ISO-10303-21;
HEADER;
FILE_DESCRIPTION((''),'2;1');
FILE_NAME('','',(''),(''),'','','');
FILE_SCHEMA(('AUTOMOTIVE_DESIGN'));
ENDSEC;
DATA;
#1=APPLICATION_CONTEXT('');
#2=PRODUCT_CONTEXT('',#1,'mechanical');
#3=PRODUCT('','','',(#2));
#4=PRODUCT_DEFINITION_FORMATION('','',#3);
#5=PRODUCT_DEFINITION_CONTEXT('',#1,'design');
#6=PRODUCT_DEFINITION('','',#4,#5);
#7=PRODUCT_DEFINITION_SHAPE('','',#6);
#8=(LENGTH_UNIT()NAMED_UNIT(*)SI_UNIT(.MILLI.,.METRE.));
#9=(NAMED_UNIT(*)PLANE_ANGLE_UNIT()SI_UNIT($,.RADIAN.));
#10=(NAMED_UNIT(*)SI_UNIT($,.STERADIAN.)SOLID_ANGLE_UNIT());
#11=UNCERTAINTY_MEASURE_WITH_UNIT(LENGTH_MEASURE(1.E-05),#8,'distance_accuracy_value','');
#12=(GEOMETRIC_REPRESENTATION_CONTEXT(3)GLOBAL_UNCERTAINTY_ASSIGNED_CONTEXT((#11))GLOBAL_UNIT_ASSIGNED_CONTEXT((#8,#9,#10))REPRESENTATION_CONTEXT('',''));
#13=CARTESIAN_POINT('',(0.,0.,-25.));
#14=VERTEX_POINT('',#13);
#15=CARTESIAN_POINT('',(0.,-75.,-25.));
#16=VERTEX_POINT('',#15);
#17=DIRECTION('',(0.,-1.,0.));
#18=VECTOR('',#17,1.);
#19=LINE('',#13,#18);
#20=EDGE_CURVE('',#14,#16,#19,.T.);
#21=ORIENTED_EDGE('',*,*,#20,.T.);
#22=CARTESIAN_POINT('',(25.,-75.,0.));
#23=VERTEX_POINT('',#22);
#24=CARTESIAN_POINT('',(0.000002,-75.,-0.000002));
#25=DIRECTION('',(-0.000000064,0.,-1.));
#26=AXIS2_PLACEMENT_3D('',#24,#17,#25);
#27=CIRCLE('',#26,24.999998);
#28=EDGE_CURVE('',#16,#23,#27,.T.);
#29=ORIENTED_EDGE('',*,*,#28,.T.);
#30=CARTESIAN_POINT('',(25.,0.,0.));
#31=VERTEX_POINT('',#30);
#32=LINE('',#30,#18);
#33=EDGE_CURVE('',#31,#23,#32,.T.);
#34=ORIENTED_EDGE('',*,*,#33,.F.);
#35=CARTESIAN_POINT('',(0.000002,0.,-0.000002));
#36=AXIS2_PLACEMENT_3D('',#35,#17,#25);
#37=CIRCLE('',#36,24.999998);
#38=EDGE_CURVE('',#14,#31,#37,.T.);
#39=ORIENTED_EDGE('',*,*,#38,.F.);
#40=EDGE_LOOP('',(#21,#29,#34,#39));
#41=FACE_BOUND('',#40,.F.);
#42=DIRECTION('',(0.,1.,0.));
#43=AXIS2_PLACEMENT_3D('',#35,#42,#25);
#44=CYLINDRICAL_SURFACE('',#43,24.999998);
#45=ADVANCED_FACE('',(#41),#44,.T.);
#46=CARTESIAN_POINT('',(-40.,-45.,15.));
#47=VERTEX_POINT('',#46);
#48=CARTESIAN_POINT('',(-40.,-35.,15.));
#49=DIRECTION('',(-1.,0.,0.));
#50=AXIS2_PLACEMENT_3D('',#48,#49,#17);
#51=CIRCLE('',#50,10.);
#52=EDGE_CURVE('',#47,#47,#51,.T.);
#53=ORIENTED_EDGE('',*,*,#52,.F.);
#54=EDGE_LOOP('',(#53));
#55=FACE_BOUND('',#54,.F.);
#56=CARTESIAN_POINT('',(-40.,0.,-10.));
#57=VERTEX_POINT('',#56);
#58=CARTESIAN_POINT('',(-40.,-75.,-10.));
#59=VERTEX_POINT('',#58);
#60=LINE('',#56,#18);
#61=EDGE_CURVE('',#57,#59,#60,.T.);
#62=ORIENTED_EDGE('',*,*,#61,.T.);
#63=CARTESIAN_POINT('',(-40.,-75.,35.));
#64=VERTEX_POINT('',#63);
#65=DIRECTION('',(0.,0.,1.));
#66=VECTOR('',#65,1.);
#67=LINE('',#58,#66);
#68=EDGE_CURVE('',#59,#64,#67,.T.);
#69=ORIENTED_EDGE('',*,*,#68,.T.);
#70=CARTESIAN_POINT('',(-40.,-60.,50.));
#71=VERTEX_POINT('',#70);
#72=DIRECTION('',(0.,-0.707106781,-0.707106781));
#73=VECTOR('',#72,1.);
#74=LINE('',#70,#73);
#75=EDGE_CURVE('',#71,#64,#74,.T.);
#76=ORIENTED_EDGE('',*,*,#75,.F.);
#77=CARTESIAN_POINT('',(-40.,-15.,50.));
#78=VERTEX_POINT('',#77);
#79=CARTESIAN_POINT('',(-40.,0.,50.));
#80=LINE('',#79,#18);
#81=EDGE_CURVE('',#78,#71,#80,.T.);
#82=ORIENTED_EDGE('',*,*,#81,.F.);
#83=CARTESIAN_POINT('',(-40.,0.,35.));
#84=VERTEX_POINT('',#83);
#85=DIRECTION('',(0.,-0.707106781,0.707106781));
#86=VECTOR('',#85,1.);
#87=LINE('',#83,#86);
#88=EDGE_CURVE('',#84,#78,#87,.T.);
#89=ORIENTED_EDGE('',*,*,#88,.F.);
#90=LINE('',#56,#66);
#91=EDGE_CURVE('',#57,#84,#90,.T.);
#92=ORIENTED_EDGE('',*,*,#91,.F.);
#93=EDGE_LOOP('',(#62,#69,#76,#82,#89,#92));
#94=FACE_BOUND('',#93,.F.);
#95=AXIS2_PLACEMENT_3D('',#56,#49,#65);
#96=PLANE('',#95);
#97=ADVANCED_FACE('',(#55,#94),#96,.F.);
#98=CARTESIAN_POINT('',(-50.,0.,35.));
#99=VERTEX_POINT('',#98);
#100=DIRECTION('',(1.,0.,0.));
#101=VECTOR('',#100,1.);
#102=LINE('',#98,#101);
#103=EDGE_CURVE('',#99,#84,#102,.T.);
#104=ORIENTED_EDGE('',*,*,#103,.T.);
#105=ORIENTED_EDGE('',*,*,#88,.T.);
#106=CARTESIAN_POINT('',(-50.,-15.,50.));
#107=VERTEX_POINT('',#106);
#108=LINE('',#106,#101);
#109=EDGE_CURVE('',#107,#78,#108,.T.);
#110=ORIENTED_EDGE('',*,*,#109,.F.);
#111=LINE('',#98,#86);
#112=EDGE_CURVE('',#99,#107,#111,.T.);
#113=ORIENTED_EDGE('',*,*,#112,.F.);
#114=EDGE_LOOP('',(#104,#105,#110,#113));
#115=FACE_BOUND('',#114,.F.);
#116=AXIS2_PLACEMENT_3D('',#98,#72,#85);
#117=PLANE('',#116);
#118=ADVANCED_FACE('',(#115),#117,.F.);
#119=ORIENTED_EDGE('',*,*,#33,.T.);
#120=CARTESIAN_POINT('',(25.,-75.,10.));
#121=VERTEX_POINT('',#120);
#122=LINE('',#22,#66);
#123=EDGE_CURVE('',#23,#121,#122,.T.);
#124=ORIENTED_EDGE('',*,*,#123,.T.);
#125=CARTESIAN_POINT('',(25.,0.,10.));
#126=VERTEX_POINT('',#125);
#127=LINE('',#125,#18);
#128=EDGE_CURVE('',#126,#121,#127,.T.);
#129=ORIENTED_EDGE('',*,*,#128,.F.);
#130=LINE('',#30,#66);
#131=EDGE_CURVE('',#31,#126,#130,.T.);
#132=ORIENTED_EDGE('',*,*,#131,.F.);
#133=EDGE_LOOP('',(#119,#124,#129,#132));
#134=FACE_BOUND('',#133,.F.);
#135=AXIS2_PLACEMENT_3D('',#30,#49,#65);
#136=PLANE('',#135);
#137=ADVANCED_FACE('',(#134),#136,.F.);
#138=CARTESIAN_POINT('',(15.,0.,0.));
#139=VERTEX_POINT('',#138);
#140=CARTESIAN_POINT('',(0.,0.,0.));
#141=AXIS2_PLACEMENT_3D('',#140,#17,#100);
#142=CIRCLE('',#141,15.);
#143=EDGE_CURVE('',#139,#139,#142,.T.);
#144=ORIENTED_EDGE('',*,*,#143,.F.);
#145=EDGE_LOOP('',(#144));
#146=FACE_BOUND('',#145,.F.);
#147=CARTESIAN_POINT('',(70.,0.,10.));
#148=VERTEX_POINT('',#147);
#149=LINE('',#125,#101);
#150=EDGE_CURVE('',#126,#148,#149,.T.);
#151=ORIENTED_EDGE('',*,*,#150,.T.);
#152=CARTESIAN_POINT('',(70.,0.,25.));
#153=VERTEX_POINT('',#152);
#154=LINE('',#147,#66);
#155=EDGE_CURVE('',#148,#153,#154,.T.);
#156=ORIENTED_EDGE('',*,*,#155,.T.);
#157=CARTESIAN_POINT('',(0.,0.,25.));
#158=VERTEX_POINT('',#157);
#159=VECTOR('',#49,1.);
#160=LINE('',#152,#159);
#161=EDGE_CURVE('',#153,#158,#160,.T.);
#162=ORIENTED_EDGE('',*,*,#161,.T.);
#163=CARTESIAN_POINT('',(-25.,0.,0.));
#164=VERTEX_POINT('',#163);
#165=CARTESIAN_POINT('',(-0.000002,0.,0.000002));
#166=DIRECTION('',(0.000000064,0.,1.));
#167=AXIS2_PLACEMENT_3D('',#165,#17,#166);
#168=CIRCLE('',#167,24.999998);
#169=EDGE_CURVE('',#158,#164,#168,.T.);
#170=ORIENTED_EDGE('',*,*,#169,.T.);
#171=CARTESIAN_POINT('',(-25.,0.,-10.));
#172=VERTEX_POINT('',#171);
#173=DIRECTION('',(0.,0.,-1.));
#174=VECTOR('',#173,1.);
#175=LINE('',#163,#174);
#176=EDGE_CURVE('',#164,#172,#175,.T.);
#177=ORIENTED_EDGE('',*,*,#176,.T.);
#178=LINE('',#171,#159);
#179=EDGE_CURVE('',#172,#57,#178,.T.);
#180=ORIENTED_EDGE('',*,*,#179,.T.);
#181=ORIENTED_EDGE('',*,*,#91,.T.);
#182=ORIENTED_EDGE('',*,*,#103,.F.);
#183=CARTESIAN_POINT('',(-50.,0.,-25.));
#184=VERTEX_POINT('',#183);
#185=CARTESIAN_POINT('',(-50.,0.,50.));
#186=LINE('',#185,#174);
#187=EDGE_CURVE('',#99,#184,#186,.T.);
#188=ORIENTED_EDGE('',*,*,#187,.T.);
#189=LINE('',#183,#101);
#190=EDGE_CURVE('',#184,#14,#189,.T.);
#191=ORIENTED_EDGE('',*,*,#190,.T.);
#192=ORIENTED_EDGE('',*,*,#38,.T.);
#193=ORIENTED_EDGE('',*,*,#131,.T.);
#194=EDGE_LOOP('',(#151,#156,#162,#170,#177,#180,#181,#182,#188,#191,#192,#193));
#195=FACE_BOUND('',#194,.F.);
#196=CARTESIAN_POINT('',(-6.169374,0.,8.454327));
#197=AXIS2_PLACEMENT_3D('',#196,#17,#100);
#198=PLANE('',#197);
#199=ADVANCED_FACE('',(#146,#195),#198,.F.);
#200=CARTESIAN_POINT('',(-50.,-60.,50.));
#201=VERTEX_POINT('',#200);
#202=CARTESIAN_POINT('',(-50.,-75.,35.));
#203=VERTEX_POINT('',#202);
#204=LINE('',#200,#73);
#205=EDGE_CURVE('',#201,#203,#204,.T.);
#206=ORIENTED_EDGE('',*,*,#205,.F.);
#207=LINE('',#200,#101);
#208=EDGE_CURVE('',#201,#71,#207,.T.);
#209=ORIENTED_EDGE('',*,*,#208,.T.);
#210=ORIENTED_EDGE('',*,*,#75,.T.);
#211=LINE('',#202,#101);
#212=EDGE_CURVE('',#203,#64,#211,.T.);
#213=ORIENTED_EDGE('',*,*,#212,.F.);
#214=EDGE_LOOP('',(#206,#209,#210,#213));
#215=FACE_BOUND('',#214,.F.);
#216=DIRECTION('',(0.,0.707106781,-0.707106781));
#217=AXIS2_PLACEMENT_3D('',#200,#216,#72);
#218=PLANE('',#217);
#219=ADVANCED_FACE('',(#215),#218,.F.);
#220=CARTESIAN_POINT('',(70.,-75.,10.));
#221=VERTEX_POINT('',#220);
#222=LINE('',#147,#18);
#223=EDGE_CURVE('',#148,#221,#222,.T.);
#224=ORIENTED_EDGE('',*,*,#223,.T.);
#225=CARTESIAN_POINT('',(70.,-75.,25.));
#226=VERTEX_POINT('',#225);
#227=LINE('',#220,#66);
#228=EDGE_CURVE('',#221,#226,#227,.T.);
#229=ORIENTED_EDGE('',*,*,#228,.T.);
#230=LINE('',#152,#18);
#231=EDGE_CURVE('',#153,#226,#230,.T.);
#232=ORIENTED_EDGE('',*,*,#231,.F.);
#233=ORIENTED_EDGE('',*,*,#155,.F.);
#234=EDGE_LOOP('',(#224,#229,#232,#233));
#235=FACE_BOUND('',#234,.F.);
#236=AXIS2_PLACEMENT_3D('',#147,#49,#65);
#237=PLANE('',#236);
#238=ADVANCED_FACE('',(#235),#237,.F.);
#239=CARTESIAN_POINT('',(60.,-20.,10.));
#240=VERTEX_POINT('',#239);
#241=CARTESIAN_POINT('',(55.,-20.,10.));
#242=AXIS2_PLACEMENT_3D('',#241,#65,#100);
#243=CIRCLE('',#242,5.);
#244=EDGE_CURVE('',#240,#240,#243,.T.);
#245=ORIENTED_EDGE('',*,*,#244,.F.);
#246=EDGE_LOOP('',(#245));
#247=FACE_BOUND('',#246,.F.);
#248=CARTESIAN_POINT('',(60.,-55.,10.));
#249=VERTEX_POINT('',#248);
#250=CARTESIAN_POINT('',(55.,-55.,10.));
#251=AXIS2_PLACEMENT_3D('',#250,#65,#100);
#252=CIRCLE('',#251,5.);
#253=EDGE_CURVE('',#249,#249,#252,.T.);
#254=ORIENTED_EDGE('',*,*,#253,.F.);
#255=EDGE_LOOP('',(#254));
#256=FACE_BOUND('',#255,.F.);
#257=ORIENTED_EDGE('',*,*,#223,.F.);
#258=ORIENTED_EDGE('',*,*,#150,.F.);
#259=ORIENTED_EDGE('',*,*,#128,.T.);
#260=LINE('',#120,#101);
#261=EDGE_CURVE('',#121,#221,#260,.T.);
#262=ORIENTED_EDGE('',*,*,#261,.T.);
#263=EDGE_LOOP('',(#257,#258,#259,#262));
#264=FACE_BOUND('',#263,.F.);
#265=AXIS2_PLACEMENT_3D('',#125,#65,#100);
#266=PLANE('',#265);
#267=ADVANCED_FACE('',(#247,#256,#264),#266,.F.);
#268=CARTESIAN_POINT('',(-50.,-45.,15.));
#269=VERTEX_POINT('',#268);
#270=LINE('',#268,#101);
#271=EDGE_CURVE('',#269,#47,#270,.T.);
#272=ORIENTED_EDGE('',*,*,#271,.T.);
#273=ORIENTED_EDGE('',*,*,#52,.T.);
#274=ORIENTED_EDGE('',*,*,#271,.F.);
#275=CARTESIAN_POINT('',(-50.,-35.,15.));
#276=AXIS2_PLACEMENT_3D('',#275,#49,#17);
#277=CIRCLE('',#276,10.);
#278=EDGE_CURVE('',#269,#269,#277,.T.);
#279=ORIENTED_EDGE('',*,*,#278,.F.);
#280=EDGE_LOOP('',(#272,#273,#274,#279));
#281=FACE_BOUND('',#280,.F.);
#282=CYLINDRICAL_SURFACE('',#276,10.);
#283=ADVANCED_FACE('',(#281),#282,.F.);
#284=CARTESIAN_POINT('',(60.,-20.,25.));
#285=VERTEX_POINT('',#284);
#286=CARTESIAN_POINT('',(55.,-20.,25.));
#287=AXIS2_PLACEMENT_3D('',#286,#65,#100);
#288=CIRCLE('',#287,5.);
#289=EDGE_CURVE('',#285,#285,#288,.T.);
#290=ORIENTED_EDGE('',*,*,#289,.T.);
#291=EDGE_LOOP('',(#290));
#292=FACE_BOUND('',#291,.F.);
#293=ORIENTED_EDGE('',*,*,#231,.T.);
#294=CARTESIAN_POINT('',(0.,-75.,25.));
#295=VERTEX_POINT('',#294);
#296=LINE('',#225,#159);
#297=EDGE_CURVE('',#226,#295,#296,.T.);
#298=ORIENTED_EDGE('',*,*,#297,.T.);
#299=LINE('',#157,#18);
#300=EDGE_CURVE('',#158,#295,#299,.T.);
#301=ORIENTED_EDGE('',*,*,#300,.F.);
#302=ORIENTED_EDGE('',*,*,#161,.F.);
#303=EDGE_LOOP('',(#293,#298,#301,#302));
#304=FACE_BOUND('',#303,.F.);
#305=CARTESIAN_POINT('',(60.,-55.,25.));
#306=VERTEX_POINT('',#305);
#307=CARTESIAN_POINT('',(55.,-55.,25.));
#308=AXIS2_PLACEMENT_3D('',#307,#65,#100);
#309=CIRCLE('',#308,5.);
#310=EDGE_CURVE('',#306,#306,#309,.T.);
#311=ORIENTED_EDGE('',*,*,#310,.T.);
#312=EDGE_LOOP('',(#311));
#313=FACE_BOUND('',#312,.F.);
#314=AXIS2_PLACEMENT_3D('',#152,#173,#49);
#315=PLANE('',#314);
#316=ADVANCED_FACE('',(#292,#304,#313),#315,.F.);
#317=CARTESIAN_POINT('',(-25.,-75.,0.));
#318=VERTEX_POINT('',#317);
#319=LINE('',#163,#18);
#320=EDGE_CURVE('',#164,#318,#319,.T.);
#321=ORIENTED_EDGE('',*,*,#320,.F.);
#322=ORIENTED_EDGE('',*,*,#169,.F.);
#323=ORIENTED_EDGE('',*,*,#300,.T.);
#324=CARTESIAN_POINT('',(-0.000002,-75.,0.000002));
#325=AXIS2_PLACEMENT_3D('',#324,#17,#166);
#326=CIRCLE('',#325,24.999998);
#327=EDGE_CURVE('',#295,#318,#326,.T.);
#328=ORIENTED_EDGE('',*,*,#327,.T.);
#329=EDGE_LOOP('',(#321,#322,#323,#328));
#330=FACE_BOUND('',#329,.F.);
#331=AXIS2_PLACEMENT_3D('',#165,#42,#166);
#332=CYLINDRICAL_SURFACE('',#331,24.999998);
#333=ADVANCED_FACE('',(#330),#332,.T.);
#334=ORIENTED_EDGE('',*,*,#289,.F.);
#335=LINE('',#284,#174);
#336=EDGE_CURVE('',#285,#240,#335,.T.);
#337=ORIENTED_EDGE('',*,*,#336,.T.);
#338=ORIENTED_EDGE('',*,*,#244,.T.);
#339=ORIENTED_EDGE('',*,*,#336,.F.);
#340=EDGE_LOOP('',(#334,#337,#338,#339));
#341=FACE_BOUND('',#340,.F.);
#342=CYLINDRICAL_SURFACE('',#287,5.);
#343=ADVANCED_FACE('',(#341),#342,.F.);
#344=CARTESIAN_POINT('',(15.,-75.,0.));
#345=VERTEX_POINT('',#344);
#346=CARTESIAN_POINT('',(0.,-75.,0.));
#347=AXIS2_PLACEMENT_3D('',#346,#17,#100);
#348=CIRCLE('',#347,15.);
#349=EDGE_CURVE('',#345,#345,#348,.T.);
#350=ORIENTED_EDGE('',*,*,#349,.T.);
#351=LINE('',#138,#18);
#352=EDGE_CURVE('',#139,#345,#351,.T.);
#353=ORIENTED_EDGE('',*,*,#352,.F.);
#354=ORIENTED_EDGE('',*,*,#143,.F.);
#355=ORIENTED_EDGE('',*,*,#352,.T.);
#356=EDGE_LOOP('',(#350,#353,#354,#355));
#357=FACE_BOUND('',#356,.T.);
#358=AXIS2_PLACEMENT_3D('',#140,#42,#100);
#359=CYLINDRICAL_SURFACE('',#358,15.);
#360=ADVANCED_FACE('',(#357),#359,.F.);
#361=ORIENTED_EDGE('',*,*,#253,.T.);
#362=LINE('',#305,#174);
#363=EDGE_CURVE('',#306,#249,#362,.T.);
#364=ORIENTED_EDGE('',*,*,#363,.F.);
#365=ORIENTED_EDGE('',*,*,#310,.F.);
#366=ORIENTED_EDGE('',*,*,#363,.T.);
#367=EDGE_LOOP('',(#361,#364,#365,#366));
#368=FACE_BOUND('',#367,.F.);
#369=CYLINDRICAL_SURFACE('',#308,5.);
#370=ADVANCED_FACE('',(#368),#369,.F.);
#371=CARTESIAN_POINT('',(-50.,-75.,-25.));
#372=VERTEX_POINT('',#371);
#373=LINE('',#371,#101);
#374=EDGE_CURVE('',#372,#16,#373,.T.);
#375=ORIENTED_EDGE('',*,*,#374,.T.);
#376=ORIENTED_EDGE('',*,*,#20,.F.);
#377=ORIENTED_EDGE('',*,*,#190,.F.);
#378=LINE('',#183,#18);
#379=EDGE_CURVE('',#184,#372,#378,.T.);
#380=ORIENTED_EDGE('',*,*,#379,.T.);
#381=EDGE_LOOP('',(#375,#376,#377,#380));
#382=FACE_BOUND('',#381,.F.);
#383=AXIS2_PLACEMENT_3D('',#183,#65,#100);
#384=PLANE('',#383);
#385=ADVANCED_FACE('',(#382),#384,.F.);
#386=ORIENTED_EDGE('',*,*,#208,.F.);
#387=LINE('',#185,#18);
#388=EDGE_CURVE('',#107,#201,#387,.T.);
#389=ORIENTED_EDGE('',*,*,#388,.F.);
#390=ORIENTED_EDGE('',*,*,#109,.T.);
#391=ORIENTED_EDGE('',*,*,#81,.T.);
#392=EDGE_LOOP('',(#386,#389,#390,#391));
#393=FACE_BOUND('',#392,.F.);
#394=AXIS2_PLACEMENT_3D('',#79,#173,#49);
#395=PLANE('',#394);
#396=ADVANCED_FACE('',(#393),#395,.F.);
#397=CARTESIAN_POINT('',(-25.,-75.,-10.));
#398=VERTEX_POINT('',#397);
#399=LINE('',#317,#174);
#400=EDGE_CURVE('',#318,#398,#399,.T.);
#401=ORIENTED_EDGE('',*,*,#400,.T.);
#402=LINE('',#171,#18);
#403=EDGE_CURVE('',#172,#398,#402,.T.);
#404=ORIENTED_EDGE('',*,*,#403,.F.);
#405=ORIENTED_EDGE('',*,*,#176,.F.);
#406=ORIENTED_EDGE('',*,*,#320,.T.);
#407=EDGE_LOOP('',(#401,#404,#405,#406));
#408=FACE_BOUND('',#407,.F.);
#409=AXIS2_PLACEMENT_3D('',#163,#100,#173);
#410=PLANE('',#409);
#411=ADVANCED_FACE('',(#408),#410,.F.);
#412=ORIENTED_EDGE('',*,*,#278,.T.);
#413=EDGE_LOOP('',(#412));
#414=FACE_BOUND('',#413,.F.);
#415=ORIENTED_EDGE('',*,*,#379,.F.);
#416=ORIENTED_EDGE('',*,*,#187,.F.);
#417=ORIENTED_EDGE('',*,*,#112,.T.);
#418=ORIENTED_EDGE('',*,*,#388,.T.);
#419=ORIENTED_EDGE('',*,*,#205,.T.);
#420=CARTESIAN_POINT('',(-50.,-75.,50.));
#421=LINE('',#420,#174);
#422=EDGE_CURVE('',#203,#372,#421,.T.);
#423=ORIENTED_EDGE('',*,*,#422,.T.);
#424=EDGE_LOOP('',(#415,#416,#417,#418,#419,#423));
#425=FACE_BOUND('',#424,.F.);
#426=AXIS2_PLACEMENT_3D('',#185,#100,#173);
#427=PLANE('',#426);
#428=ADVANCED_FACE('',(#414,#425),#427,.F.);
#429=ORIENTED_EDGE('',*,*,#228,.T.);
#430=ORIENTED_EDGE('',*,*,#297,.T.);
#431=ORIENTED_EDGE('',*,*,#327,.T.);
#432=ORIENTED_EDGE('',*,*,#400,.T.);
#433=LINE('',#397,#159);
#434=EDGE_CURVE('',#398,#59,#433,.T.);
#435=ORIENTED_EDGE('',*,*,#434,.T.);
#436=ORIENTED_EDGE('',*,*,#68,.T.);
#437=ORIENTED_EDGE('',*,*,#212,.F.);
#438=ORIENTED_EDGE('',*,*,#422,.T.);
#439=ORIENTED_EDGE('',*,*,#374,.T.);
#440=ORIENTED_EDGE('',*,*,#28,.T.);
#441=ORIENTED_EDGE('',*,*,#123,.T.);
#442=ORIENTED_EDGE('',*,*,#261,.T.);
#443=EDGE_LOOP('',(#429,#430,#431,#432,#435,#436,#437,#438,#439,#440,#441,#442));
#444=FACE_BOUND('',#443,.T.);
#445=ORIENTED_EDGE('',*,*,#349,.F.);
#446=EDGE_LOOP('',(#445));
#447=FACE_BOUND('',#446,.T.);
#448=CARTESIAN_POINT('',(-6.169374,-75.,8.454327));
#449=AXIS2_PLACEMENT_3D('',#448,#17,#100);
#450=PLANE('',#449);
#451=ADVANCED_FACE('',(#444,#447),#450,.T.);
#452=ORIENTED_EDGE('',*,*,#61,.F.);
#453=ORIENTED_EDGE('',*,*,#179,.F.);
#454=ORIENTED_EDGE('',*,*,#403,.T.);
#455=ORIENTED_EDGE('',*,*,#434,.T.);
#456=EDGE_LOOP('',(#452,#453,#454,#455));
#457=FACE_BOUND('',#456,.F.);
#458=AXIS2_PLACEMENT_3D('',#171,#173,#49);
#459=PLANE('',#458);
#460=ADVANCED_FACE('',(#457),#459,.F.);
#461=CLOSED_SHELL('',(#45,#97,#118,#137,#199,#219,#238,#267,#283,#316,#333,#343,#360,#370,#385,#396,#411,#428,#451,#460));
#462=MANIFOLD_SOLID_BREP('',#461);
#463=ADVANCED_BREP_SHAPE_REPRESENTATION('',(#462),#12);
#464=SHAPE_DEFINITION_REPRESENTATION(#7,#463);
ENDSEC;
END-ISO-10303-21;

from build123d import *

# Parameters (mm, degrees)
F0_R     = 15
F1_DEPTH = 75
F2_R     = 10
F3_DEPTH = 10
F4_R     = 5
F5_DEPTH = 15


with BuildPart() as f1:
    # F0 (on Front) → F1 (new body)
    with BuildSketch(Plane.XZ):
        with BuildLine():
            Line((70, 25), (0, 25))
            ThreePointArc((0, 25), (-17.67767, 17.67767), (-25, 0))
            Line((-25, 0), (-25, -10))
            Line((-25, -10), (-40, -10))
            Line((-40, -10), (-40, 50))
            Line((-40, 50), (-50, 50))
            Line((-50, 50), (-50, -25))
            Line((-50, -25), (0, -25))
            ThreePointArc((0, -25), (17.67767, -17.67767), (25, 0))
            Line((25, 0), (25, 10))
            Line((25, 10), (70, 10))
            Line((70, 10), (70, 25))
        make_face()
        Circle(F0_R, mode=Mode.SUBTRACT)
    extrude(amount=F1_DEPTH)

    # F2 (on face) → F3 (cut)
    with BuildSketch(Plane(origin=(-50, 0, 0), x_dir=(0, -1, 0), z_dir=(-1, 0, 0))):
        Polygon((0, 35), (15, 50), (0, 50), align=None)
        Polygon((75, 50), (60, 50), (75, 35), align=None)
        with Locations((35, 15)):
            Circle(F2_R)
    extrude(amount=-F3_DEPTH, mode=Mode.SUBTRACT)

    # F4 (on face) → F5 (cut)
    with BuildSketch(Plane.XY.offset(25)):
        with Locations((55, -20)):
            Circle(F4_R)
        with Locations((55, -55)):
            Circle(F4_R)
    extrude(amount=-F5_DEPTH, mode=Mode.SUBTRACT)


solid = f1.part
